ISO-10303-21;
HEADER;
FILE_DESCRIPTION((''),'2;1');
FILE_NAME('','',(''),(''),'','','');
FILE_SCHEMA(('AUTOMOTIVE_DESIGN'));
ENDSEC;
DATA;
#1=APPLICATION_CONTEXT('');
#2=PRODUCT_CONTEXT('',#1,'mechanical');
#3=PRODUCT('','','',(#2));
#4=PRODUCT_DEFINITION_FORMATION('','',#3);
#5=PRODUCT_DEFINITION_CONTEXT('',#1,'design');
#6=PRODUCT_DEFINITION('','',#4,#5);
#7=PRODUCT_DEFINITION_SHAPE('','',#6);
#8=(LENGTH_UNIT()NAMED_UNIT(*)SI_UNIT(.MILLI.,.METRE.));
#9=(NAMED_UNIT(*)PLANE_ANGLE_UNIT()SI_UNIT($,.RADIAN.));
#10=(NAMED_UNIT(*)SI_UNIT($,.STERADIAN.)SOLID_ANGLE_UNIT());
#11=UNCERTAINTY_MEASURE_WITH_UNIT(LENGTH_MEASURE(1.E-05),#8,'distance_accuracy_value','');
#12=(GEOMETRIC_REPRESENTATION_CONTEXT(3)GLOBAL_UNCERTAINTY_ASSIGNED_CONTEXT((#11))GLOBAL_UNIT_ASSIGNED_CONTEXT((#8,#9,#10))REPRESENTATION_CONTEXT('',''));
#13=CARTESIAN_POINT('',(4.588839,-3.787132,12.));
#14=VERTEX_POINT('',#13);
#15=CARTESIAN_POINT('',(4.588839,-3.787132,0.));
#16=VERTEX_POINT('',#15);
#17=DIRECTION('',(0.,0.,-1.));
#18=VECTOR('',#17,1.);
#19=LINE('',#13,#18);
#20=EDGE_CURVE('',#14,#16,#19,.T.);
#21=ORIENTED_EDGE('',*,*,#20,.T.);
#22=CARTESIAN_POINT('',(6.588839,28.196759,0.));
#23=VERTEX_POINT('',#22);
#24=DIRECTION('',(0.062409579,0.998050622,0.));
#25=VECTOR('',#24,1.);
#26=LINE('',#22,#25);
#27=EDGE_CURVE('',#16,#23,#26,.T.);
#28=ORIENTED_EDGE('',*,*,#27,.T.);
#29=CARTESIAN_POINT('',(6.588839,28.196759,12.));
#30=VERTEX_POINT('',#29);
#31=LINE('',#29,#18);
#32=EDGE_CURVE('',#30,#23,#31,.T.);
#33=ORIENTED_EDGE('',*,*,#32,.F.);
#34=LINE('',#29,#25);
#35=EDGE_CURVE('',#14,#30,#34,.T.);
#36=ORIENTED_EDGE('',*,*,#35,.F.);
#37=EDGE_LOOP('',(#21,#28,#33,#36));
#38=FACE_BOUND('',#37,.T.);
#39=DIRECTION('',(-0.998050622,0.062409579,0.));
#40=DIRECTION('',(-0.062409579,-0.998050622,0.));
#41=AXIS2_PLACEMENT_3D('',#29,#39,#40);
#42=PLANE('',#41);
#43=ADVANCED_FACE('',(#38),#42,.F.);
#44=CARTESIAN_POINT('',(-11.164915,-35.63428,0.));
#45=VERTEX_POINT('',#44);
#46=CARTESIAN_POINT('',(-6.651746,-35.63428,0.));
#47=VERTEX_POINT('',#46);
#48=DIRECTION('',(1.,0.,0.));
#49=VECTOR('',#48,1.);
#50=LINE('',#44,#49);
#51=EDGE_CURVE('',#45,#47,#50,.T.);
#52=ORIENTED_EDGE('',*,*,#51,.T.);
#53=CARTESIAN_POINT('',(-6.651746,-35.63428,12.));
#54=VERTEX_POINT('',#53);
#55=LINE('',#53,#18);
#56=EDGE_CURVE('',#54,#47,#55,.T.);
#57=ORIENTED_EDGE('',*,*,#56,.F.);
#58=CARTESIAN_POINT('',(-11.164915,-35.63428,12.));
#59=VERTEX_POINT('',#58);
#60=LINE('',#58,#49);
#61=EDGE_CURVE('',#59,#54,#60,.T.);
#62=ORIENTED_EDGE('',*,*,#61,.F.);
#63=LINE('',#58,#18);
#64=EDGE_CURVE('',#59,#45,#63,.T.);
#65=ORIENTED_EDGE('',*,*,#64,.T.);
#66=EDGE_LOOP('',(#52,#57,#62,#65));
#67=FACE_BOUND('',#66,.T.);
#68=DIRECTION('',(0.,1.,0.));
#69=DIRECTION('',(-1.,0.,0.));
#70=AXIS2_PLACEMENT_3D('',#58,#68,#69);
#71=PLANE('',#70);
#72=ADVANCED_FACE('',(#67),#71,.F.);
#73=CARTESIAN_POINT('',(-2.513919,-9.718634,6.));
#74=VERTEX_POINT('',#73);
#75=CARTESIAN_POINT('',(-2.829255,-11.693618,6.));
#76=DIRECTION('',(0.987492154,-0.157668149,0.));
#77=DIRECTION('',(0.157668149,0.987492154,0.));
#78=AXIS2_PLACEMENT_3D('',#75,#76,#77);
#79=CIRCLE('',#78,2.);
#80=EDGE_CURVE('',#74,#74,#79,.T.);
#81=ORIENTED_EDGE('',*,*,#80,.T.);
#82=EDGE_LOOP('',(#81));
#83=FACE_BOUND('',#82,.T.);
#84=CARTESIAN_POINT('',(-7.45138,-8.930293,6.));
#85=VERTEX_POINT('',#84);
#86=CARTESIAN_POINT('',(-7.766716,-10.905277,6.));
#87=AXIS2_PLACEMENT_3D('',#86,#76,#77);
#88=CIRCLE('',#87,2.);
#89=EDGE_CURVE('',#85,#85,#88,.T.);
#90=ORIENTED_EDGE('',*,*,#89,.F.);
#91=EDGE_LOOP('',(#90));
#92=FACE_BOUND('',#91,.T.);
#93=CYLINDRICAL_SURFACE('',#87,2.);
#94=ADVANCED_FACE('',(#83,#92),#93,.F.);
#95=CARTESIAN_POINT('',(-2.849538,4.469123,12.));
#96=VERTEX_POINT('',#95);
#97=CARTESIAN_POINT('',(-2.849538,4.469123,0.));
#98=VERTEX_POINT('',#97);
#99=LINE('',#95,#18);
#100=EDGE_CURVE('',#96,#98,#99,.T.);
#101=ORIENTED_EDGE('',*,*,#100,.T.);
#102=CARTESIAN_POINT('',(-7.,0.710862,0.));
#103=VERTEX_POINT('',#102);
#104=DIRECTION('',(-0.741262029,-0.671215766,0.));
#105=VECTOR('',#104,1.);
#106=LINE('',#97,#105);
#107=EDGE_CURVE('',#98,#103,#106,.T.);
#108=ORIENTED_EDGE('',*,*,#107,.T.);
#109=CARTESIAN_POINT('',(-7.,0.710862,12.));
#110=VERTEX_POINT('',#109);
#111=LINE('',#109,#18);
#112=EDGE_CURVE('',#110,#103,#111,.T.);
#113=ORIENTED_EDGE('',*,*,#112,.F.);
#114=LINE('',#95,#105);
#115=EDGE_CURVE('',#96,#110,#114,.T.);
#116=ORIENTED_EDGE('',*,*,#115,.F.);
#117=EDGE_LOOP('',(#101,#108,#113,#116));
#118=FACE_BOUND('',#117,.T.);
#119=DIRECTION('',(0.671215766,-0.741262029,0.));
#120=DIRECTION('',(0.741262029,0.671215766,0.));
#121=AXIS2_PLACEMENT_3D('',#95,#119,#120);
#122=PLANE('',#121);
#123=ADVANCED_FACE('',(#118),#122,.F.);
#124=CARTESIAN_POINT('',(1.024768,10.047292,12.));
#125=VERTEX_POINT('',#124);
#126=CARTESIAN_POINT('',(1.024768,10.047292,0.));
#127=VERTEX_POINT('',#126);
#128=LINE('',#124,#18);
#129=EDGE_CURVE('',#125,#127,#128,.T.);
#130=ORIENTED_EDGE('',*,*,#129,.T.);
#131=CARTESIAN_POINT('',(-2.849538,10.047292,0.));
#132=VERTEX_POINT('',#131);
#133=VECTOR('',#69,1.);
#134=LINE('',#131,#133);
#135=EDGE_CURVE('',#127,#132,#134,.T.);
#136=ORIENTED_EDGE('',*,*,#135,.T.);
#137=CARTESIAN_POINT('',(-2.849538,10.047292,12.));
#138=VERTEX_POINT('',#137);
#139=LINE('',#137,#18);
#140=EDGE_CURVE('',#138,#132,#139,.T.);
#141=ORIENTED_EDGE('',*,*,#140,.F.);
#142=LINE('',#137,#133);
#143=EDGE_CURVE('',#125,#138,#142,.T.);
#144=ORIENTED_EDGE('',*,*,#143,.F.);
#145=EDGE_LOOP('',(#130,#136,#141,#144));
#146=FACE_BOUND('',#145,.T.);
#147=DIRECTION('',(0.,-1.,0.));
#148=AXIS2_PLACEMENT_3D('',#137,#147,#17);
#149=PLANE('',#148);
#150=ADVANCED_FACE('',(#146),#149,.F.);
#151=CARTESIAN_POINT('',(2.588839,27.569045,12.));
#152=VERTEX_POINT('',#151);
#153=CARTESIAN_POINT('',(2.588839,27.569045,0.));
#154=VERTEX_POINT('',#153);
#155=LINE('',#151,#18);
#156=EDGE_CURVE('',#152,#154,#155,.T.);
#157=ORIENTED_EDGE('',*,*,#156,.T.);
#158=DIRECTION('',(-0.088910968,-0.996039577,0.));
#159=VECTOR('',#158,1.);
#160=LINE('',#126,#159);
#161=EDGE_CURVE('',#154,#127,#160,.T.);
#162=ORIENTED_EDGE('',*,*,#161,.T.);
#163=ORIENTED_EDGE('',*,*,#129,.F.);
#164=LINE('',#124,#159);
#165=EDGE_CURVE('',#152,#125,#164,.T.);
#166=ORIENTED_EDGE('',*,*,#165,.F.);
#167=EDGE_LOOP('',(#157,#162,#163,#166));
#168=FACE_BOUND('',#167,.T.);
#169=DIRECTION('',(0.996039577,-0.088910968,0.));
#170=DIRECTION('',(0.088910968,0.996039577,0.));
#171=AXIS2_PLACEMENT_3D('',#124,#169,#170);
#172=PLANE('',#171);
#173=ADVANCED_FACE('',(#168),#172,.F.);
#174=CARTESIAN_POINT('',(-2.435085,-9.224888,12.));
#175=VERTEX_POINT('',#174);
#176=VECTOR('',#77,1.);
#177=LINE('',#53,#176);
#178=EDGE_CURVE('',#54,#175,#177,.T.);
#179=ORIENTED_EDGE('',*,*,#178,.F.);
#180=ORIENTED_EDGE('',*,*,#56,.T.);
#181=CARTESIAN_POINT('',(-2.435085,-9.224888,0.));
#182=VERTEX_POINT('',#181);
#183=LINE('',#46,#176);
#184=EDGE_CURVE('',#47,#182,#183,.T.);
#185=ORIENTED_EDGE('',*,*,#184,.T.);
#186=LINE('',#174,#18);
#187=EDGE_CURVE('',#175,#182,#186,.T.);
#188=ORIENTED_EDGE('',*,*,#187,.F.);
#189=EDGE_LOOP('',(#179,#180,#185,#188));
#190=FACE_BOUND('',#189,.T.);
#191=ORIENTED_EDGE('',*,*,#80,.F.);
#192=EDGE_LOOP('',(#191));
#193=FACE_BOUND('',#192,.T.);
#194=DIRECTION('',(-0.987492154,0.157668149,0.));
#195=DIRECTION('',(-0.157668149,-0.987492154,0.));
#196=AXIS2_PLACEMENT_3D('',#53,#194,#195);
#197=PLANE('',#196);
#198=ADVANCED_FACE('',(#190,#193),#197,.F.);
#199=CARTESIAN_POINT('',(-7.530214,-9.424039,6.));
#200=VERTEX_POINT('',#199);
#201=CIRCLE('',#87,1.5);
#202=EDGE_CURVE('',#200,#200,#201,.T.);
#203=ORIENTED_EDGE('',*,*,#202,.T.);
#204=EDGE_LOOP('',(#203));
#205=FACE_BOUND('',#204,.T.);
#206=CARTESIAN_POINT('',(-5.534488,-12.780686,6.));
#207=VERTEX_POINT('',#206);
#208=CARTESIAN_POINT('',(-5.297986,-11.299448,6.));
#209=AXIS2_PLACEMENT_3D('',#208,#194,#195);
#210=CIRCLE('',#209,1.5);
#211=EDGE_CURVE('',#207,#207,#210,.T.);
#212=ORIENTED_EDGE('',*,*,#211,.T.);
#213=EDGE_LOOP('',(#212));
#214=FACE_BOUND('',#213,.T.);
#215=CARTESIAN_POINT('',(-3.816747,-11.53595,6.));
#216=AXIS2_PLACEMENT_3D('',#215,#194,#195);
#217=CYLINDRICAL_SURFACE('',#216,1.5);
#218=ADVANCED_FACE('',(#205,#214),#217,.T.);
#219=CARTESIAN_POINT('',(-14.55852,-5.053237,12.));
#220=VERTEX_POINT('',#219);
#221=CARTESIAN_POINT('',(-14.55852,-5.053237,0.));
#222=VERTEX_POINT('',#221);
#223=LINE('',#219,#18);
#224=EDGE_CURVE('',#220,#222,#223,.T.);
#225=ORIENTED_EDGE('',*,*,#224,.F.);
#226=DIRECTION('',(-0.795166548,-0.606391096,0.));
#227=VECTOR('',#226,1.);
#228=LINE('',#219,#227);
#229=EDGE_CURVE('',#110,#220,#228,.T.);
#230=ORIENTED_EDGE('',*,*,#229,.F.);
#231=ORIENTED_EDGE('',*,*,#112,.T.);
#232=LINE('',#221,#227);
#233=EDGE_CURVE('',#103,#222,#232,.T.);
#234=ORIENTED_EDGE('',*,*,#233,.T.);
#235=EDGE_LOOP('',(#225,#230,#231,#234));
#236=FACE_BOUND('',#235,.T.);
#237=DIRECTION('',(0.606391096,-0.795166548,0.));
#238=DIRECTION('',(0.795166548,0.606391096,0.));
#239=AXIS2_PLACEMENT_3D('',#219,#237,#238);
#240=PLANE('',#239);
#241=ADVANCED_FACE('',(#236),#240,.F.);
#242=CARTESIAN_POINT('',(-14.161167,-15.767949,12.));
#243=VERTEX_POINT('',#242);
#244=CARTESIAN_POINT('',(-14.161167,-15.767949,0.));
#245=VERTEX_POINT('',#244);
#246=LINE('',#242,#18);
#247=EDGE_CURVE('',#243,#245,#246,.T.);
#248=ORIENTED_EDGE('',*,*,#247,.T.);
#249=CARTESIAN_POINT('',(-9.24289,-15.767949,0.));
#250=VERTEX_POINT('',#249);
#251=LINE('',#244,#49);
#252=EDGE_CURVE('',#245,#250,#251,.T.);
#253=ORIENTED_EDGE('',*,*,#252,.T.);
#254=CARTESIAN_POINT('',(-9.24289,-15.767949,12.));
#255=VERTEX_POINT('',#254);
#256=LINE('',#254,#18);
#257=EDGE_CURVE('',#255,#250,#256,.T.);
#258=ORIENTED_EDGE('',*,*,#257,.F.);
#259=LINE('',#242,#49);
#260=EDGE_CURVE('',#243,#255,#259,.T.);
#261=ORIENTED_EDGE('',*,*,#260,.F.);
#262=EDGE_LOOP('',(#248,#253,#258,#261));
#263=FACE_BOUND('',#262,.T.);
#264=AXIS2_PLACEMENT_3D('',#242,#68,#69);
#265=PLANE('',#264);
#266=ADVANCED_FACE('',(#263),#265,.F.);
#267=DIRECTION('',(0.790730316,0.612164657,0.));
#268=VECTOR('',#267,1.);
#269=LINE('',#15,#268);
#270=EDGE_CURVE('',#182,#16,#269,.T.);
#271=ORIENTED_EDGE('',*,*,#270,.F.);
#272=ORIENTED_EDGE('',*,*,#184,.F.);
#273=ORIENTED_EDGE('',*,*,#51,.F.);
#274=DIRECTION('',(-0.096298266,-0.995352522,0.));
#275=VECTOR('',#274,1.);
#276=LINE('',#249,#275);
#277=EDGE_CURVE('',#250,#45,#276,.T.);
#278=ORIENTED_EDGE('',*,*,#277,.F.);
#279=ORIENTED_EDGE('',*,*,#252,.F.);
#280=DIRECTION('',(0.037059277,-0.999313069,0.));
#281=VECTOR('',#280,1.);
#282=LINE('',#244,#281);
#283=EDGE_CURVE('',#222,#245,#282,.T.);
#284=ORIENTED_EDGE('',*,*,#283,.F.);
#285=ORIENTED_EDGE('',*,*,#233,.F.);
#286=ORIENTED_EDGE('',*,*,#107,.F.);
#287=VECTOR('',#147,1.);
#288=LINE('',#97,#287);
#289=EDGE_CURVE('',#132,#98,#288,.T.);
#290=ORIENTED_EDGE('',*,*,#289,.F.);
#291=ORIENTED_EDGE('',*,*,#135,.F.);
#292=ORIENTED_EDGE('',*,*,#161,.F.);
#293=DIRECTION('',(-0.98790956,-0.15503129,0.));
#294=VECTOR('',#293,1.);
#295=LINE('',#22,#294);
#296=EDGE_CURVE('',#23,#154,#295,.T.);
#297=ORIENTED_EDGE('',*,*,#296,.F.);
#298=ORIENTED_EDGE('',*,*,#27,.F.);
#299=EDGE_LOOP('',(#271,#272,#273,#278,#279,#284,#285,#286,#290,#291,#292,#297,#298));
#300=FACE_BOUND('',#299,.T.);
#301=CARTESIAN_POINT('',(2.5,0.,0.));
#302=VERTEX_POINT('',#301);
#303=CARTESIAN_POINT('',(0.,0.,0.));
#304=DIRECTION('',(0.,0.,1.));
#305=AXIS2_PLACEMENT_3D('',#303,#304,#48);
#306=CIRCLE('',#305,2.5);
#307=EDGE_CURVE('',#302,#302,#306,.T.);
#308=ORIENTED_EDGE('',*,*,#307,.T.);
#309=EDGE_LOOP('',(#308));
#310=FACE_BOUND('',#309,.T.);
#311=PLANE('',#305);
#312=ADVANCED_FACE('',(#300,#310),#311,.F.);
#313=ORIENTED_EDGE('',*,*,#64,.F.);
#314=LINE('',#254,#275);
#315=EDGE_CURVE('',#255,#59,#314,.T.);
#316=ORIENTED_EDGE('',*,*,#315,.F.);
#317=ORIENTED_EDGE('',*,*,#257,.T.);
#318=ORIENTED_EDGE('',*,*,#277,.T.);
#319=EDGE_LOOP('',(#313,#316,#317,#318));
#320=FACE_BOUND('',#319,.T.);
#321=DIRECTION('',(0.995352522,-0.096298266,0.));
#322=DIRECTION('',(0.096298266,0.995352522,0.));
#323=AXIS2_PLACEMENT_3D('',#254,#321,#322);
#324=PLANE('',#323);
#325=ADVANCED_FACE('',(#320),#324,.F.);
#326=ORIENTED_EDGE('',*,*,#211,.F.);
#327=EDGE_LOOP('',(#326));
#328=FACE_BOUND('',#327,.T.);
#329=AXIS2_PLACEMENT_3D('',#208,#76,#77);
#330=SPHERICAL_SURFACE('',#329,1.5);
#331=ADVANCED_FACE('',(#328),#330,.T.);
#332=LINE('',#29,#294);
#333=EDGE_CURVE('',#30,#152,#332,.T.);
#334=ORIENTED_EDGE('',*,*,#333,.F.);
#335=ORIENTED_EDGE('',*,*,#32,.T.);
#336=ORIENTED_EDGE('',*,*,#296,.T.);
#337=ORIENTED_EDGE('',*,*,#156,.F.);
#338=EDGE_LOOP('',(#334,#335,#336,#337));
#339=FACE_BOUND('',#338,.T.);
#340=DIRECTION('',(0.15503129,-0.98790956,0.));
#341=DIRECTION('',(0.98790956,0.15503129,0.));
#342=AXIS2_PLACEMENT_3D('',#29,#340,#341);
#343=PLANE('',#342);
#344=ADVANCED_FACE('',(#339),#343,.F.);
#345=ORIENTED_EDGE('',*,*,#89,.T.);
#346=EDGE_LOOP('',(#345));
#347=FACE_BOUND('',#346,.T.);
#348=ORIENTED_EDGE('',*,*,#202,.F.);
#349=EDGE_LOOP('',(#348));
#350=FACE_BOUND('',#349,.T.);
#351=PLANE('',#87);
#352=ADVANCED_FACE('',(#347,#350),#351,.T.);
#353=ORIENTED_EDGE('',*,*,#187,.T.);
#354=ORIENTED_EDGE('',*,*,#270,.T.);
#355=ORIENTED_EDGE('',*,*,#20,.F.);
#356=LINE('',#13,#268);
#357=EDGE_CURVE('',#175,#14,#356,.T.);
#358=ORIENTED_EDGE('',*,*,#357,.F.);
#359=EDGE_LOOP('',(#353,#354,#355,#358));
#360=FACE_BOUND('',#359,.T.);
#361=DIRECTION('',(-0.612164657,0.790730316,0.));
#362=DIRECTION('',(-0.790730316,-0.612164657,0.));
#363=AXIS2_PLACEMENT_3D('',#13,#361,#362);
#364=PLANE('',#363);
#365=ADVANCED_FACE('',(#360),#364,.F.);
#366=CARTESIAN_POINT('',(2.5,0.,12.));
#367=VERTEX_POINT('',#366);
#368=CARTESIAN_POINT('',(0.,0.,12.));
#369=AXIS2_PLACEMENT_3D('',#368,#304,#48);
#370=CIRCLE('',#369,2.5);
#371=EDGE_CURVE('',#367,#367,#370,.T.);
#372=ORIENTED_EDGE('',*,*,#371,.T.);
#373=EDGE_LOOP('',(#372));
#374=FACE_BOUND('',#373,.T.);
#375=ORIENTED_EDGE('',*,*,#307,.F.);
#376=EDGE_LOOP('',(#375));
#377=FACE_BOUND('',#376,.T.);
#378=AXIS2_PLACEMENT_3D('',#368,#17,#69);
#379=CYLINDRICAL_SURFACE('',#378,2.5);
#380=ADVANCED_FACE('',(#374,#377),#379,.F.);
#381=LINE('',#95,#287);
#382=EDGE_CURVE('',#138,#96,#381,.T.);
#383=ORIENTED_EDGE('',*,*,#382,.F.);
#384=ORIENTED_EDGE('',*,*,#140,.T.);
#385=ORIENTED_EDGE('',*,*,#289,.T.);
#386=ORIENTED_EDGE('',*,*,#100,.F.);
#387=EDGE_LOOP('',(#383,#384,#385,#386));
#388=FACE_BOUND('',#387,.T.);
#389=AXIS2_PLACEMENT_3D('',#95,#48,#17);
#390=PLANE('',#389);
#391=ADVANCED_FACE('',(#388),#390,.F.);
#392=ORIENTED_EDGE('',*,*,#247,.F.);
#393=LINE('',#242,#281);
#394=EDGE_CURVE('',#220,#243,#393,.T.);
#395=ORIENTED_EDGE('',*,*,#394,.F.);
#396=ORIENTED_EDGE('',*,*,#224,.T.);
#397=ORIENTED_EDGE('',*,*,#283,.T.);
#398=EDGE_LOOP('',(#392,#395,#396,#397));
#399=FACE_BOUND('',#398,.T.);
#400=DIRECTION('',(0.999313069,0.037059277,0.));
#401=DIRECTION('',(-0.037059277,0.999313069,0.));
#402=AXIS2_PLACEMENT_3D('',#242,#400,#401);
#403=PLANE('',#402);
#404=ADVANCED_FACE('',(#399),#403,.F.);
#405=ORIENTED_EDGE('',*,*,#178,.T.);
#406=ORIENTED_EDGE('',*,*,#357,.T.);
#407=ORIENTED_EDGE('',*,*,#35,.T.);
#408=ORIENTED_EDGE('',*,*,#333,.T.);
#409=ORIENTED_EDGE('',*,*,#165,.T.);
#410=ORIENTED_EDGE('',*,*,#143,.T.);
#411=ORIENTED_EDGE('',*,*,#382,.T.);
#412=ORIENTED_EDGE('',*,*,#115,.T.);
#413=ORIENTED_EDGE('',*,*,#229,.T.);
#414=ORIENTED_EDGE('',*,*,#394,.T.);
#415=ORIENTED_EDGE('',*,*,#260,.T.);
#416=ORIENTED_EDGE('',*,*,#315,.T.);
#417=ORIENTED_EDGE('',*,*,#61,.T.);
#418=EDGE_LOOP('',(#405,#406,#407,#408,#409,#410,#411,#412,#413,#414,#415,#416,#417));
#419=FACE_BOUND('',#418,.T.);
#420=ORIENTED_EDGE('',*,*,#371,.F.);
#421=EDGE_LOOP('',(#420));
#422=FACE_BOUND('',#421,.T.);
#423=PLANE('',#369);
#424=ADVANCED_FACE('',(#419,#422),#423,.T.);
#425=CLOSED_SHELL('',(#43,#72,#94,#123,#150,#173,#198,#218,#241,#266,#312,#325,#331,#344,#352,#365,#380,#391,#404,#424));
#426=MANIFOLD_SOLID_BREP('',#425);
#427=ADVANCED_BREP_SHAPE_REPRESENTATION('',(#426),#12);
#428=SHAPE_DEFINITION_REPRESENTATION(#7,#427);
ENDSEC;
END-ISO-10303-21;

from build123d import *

# Parameters (mm, degrees)
SKETCH_1_R          = 2.5
EXTRUDE_1_DEPTH     = 12
SKETCH_2_R          = 2
CUT_EXTRUDE_1_DEPTH = 5
SKETCH_3_R          = 1.5
EXTRUDE_2_DEPTH     = 4
FILLET_1_R          = 1.5


with BuildPart() as part:
    # 스케치1 → 보스-돌출1 (new body)
    with BuildSketch(Plane.XY):
        Polygon((6.588838908, 28.19675948), (4.588838908, -3.787132496), (-2.435084758, -9.224887606), (-6.651746097, -35.634279915), (-11.1649155, -35.634279915), (-9.242889687, -15.767948861), (-14.161167405, -15.767948861), (-14.558519827, -5.05323729), (-7, 0.71086224), (-2.849537727, 4.46912262), (-2.849537727, 10.047291676), (1.024768486, 10.047291676), (2.588838908, 27.569044976), align=None)
        Circle(SKETCH_1_R, mode=Mode.SUBTRACT)
    extrude(amount=EXTRUDE_1_DEPTH)

    # 스케치2 → 컷-돌출1 (cut)
    with BuildSketch(Plane(origin=(-0.938271737, 0.14980936, 0), x_dir=(0, 0, -1), z_dir=(0.9874921543617721, -0.1576681485714416, 0))):
        with Locations(Location((-6, -11.993439441, 0), (0, 0, 90))):
            Circle(SKETCH_2_R)
    extrude(amount=-CUT_EXTRUDE_1_DEPTH, mode=Mode.SUBTRACT)

    # 스케치3 → 보스-돌출2 (add)
    with BuildSketch(Plane(origin=(-5.875732509, 0.938150103, 0), x_dir=(0, 0, -1), z_dir=(0.9874921543617721, -0.1576681485714416, 0))):
        with Locations(Location((-6, -11.993439441, 0), (0, 0, 90))):
            Circle(SKETCH_3_R)
    extrude(amount=EXTRUDE_2_DEPTH)

    # 필렛1
    fillet_1_edges = [part.edges().sort_by_distance(p)[0] for p in [
        (-4.053249506, -13.017188075, 6),
    ]]
    fillet(fillet_1_edges, radius=FILLET_1_R)


solid = part.part
